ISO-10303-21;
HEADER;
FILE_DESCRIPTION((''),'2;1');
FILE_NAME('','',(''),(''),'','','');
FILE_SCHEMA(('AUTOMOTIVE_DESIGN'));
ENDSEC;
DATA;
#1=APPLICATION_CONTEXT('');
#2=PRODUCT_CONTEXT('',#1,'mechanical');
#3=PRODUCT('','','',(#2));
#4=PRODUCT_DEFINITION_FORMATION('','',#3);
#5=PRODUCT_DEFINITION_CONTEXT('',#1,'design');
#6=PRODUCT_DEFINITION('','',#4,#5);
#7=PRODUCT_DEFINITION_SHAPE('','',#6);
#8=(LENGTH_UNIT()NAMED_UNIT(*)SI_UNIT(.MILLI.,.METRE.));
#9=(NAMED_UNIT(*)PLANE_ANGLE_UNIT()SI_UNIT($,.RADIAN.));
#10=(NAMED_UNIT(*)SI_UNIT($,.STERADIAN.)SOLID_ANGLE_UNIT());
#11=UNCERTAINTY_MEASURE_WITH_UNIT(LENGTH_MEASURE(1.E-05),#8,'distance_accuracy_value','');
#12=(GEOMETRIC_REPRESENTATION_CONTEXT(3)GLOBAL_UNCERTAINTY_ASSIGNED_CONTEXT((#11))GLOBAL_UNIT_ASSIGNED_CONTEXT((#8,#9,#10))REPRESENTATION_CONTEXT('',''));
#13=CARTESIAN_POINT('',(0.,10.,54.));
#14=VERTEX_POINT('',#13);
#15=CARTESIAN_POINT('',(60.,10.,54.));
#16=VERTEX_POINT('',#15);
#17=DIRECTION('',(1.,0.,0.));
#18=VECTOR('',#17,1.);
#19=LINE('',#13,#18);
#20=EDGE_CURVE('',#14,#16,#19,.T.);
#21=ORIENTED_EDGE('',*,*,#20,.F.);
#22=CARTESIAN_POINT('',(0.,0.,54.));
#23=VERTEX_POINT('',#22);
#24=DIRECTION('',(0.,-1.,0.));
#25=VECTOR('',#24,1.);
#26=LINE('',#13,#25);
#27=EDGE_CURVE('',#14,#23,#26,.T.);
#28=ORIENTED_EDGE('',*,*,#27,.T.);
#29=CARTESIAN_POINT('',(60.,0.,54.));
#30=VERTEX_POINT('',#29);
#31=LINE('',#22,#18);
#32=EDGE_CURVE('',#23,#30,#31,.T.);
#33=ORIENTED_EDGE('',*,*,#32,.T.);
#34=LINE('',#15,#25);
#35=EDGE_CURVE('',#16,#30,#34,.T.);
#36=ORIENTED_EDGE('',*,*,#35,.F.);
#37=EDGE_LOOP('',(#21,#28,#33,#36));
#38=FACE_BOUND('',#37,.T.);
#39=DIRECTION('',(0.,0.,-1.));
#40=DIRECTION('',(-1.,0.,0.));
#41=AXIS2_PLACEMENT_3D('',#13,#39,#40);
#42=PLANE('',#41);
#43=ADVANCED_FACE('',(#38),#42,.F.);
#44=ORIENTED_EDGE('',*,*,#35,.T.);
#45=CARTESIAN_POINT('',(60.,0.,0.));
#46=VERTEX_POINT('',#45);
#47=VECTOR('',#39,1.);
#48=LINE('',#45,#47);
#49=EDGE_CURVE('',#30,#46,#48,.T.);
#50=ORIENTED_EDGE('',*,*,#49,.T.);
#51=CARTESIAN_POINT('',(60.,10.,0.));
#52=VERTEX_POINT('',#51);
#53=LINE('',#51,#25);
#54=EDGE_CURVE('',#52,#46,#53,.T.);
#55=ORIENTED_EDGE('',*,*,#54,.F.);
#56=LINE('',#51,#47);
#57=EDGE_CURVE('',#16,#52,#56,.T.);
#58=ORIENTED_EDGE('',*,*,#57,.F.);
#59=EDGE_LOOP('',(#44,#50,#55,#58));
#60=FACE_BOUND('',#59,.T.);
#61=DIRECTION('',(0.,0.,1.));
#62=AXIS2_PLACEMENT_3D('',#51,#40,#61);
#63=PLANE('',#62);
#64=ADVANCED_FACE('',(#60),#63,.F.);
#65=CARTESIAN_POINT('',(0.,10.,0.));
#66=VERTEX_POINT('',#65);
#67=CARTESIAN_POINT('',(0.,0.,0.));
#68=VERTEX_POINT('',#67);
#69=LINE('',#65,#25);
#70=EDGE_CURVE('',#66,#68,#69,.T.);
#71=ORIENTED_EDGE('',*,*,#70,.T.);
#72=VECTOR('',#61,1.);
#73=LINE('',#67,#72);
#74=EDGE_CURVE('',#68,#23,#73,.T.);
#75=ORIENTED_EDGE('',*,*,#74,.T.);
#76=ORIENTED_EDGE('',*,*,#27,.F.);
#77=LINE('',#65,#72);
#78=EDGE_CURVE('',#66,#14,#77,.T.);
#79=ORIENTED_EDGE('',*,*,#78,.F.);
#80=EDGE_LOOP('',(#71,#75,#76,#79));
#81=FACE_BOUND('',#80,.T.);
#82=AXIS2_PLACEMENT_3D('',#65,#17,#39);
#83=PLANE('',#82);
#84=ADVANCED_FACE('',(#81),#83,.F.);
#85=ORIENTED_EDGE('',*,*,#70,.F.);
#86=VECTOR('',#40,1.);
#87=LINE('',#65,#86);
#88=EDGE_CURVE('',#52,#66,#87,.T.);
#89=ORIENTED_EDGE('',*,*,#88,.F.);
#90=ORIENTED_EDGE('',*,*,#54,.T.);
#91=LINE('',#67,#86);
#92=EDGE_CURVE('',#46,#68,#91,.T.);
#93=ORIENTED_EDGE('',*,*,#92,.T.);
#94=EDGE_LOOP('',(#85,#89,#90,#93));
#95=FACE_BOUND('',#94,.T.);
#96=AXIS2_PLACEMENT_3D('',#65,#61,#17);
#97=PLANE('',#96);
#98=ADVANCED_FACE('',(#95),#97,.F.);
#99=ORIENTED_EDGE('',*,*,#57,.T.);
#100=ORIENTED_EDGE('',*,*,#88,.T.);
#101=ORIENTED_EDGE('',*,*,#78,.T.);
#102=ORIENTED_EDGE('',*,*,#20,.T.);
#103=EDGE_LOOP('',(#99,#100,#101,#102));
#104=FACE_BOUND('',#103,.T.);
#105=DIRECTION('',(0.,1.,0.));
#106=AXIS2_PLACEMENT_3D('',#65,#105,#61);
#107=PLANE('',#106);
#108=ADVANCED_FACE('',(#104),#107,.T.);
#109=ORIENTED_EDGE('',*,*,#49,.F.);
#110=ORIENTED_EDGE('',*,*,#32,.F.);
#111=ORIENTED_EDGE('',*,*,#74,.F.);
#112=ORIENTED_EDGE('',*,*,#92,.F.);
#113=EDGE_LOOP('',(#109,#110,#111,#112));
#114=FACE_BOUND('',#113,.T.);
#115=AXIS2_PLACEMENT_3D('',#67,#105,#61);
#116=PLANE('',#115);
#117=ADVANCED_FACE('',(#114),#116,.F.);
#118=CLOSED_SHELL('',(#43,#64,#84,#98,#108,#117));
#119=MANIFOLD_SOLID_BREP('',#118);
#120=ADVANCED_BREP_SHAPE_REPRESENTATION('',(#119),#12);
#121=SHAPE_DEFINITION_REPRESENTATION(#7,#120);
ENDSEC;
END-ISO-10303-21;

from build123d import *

# Parameters (mm, degrees)
SKETCH_1_W      = 60
SKETCH_1_H      = 54
EXTRUDE_1_DEPTH = 10


with BuildPart() as part:
    # 草图1 → 凸台-拉伸1 (new body)
    with BuildSketch(Plane(origin=(0, 0, 0), x_dir=(1, 0, 0), z_dir=(0, 1, 0))):
        with Locations((30, -27)):
            Rectangle(SKETCH_1_W, SKETCH_1_H)
    extrude(amount=EXTRUDE_1_DEPTH)


solid = part.part
